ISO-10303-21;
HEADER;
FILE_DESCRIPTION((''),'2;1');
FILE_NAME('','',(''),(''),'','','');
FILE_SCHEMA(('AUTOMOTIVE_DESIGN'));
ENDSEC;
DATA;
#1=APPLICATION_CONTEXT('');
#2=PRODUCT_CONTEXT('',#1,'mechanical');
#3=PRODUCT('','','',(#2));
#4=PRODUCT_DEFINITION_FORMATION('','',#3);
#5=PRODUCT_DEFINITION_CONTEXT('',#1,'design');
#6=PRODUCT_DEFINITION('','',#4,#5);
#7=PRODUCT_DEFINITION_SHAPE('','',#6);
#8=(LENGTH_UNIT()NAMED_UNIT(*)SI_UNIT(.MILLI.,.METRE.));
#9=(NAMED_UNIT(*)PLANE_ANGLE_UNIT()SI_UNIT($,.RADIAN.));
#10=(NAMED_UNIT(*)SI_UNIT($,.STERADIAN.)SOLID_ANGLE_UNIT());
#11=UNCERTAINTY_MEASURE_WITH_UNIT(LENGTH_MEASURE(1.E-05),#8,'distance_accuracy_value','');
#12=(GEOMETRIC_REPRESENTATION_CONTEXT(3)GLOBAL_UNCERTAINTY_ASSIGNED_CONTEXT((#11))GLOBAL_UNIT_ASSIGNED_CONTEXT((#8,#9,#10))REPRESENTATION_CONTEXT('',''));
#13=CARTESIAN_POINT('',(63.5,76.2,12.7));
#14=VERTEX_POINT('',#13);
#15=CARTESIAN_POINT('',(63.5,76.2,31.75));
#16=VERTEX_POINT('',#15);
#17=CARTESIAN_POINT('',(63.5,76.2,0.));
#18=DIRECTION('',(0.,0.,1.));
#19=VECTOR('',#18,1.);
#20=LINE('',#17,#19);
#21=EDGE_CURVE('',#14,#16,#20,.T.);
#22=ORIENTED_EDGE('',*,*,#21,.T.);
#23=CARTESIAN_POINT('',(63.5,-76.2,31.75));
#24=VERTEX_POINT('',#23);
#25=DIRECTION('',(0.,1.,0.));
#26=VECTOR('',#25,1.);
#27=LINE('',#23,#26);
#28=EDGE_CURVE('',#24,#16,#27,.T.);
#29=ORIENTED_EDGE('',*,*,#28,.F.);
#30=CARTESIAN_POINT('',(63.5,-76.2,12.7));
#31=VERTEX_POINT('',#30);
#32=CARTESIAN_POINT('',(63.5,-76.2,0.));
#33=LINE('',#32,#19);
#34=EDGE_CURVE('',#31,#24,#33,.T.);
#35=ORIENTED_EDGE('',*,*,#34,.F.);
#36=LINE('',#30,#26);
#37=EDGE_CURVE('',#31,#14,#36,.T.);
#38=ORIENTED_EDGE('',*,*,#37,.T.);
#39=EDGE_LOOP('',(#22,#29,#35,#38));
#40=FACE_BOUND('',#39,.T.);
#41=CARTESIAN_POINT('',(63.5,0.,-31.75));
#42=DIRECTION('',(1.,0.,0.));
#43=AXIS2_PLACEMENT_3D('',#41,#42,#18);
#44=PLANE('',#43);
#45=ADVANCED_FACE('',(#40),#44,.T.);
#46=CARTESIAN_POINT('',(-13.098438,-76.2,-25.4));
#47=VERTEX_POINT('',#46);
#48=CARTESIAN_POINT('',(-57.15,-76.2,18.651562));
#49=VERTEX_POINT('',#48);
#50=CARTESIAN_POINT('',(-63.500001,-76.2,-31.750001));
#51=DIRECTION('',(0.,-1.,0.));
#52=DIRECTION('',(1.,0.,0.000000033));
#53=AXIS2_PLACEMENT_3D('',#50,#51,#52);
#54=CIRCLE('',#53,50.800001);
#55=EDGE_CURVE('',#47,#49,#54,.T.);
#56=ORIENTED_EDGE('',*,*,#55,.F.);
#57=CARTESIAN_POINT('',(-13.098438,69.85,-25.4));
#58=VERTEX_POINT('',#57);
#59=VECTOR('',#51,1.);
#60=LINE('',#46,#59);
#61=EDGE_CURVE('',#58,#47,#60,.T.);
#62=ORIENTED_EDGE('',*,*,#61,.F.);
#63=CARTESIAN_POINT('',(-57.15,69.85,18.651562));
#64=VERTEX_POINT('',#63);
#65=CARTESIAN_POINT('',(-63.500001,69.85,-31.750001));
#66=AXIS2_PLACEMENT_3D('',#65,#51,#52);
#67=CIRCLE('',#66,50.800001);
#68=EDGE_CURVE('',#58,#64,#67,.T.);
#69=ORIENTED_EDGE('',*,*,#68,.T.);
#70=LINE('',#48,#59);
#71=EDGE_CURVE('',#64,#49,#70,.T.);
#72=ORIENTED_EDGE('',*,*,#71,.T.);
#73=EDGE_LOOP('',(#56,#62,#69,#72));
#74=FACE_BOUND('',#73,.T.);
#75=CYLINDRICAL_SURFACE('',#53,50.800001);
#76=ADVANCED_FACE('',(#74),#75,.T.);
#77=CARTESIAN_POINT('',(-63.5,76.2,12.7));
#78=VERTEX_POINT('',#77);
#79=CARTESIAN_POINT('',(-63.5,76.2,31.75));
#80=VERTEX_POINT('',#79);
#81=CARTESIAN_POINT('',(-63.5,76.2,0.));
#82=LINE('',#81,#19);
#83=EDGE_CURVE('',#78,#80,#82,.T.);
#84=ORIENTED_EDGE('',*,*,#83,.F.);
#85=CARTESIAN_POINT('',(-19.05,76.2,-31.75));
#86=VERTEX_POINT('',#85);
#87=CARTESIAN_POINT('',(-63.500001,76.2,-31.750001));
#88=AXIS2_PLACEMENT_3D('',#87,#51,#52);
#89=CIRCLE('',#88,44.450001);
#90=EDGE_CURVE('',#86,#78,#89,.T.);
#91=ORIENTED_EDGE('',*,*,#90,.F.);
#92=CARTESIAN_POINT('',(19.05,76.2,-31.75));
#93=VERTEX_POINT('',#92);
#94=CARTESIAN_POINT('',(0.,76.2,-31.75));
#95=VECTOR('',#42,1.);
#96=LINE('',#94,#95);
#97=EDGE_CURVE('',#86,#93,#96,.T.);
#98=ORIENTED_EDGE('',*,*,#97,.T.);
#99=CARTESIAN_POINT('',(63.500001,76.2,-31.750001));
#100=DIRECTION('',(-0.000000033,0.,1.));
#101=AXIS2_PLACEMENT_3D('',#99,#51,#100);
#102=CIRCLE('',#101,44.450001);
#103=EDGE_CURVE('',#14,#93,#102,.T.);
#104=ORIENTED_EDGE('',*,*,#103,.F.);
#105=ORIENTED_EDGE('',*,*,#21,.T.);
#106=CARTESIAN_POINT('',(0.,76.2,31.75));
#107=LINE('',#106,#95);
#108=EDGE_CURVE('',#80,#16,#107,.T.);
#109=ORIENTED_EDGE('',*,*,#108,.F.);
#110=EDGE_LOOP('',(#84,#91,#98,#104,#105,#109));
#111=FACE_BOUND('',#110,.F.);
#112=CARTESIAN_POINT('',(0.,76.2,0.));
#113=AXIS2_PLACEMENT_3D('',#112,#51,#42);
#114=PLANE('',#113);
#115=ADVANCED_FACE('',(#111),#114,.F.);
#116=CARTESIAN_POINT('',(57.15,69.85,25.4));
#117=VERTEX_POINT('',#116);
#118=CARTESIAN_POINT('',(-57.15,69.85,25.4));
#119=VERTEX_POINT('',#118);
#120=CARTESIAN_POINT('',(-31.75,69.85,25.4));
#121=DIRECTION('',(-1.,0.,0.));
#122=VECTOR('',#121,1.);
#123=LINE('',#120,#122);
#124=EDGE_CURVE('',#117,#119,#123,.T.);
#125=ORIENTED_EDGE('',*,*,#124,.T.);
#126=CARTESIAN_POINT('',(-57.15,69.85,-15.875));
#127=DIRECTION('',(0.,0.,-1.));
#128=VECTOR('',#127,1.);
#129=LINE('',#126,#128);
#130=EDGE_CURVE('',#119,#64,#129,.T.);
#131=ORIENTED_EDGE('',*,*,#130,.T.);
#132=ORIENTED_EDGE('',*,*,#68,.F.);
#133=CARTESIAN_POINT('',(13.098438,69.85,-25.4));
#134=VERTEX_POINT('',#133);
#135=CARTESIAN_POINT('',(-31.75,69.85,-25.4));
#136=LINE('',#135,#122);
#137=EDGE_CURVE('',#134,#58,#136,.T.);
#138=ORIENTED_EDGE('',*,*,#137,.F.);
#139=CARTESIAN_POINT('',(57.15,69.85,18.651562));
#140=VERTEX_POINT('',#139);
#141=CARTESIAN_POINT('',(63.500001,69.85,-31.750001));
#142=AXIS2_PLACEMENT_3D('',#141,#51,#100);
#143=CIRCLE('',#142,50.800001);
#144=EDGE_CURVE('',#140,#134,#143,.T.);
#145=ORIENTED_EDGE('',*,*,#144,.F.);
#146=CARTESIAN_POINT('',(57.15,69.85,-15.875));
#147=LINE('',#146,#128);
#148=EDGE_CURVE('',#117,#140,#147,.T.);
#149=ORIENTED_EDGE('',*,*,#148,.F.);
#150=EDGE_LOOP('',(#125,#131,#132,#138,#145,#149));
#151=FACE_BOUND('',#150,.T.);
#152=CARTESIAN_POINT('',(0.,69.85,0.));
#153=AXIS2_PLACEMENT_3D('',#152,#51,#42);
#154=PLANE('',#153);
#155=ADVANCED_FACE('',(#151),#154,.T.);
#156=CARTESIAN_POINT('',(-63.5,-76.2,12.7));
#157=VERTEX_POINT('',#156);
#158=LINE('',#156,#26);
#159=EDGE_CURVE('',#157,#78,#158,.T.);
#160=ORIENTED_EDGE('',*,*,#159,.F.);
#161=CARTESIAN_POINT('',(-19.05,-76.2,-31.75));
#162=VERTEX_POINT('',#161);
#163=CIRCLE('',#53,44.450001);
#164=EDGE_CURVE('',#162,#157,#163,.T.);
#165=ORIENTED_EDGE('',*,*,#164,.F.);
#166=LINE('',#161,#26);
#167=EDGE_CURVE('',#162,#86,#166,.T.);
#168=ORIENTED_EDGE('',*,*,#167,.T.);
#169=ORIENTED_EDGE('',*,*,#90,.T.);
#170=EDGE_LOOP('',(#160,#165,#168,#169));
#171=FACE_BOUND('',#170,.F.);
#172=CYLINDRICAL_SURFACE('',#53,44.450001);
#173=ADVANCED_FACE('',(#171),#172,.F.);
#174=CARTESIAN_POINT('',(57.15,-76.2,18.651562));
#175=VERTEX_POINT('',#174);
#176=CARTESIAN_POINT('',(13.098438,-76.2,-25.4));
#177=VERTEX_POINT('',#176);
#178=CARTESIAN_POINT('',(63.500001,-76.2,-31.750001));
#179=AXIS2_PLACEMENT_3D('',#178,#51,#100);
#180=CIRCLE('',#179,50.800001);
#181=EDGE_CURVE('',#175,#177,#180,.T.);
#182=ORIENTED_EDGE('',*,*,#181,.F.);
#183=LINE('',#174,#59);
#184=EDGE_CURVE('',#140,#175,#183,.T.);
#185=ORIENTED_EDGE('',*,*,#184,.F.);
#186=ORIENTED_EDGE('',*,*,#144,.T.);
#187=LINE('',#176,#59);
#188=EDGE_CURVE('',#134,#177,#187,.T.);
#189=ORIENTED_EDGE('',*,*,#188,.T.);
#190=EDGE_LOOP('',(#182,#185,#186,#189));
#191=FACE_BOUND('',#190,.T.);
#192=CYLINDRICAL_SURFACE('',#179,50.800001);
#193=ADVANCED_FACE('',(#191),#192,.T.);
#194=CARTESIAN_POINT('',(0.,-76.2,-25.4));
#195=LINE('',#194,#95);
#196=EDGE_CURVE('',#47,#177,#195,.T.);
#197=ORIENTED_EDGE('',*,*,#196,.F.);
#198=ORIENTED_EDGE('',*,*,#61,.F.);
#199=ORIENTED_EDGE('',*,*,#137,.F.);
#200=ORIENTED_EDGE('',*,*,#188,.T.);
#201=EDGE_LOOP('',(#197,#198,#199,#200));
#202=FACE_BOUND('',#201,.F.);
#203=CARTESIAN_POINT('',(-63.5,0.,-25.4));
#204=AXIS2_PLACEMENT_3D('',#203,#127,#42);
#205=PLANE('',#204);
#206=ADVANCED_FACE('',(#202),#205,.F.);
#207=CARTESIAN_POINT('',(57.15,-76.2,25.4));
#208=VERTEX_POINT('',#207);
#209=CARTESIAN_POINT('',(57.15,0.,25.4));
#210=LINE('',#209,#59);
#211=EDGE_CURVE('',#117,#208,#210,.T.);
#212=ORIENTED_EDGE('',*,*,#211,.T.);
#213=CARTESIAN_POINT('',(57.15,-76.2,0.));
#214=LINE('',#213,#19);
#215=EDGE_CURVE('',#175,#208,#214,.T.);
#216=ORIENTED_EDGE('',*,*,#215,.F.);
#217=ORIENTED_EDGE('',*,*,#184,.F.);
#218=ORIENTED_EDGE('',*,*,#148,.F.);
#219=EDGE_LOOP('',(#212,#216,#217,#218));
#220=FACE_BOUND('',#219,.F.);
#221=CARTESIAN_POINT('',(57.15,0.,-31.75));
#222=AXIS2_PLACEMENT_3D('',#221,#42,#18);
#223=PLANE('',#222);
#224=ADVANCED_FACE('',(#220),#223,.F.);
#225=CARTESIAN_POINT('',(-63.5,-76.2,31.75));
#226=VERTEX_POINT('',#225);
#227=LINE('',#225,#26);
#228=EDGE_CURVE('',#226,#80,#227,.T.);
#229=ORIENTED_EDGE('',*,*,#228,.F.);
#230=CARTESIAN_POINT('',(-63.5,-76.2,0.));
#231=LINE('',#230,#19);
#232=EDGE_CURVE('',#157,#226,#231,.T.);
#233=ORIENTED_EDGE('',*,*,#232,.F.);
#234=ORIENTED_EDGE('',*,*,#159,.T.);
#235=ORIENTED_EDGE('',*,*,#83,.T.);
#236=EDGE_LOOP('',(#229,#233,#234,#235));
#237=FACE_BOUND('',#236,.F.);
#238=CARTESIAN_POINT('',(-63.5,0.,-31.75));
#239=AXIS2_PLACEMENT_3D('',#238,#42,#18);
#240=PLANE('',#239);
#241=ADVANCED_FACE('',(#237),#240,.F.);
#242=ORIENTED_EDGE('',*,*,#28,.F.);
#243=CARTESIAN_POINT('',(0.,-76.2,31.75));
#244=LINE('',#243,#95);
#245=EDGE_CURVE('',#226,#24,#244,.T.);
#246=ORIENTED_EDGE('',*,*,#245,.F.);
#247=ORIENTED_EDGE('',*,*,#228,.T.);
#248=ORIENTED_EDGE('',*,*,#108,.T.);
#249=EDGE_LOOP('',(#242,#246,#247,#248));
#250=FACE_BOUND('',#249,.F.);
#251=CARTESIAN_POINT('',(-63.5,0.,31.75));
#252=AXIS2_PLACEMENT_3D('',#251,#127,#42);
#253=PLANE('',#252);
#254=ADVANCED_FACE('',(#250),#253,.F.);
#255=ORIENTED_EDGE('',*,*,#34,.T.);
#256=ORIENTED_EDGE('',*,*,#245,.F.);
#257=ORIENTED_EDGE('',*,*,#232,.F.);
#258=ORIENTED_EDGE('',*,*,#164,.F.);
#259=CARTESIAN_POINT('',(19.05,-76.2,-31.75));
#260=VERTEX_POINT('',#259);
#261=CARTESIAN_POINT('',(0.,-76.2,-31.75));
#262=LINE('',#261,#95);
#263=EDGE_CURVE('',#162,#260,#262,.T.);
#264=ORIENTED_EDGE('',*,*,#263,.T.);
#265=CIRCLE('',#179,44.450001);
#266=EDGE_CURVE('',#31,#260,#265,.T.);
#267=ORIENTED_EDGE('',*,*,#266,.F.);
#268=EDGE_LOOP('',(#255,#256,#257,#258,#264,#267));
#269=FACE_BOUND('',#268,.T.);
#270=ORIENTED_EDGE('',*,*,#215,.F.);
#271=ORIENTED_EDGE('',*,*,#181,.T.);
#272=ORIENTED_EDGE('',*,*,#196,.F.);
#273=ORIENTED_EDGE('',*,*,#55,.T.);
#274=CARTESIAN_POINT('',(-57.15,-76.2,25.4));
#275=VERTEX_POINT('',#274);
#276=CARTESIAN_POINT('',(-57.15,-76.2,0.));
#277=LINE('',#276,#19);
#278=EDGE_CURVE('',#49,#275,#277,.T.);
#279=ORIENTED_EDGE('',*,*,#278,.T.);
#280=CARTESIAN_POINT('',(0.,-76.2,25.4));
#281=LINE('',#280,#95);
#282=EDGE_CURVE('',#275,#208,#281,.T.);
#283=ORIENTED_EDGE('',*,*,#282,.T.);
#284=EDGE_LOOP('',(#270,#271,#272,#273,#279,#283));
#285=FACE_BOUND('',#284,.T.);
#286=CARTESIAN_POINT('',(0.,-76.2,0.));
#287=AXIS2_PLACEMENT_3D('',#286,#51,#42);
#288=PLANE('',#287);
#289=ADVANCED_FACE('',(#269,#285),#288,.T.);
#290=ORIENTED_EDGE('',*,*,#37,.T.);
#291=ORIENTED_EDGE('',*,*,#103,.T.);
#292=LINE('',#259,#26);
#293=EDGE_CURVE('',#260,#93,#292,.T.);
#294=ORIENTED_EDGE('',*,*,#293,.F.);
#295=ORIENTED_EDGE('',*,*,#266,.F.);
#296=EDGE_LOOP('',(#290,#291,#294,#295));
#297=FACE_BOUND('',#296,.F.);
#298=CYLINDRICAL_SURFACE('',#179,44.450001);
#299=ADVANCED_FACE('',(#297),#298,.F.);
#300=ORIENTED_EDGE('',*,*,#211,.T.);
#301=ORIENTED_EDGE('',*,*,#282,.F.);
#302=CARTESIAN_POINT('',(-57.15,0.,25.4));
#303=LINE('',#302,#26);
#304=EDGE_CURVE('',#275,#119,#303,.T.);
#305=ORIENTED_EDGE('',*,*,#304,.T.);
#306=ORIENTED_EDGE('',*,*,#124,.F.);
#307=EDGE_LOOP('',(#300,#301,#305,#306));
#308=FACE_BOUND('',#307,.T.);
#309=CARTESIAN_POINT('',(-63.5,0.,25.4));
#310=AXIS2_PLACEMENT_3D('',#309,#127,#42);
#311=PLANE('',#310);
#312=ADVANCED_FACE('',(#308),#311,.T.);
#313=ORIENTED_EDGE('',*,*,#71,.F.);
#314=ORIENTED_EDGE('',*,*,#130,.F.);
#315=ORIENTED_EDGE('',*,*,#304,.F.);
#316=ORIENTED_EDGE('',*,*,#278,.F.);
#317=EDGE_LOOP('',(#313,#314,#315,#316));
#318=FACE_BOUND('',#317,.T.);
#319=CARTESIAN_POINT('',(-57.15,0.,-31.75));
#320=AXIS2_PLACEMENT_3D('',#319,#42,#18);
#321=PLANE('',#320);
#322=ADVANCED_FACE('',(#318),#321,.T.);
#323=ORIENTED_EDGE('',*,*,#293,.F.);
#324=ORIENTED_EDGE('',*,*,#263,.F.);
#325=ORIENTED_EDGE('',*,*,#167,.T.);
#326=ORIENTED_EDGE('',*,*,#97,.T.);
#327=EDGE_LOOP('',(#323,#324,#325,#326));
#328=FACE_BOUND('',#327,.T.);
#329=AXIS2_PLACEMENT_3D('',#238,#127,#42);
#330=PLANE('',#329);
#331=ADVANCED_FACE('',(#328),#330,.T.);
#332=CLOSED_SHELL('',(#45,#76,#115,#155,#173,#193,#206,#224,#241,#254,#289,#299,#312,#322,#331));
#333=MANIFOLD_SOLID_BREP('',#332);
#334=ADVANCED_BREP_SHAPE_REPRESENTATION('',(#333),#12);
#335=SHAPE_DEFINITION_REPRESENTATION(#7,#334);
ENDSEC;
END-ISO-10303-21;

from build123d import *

# Parameters (mm, degrees)
F0_W     = 127
F0_H     = 63.5
F1_DEPTH = 76.2
F3_DEPTH = 152.4
F4_T     = -6.35


with BuildPart() as f1:
    # F0 (on Front) → F1 (new body, symmetric)
    with BuildSketch(Plane.XZ):
        Rectangle(F0_W, F0_H)
    extrude(amount=F1_DEPTH, both=True)

    # F2 (on face) → F3 (cut, through all)
    with BuildSketch(Plane.XZ.offset(76.2)):
        with BuildLine():
            Line((63.5, -31.75), (63.5, 12.7))
            ThreePointArc((63.5, 12.7), (32.069104, -0.319104), (19.05, -31.75))
            Line((19.05, -31.75), (63.5, -31.75))
        make_face()
        with BuildLine():
            ThreePointArc((-19.05, -31.75), (-32.069104, -0.319104), (-63.5, 12.7))
            Line((-63.5, 12.7), (-63.5, -31.75))
            Line((-63.5, -31.75), (-19.05, -31.75))
        make_face()
    extrude(amount=-F3_DEPTH, mode=Mode.SUBTRACT)

    # F4
    f4_openings = [f1.faces().sort_by_distance(p)[0] for p in [
        (0, -76.2, 8.06084),
    ]]
    offset(amount=F4_T, openings=f4_openings)


solid = f1.part
